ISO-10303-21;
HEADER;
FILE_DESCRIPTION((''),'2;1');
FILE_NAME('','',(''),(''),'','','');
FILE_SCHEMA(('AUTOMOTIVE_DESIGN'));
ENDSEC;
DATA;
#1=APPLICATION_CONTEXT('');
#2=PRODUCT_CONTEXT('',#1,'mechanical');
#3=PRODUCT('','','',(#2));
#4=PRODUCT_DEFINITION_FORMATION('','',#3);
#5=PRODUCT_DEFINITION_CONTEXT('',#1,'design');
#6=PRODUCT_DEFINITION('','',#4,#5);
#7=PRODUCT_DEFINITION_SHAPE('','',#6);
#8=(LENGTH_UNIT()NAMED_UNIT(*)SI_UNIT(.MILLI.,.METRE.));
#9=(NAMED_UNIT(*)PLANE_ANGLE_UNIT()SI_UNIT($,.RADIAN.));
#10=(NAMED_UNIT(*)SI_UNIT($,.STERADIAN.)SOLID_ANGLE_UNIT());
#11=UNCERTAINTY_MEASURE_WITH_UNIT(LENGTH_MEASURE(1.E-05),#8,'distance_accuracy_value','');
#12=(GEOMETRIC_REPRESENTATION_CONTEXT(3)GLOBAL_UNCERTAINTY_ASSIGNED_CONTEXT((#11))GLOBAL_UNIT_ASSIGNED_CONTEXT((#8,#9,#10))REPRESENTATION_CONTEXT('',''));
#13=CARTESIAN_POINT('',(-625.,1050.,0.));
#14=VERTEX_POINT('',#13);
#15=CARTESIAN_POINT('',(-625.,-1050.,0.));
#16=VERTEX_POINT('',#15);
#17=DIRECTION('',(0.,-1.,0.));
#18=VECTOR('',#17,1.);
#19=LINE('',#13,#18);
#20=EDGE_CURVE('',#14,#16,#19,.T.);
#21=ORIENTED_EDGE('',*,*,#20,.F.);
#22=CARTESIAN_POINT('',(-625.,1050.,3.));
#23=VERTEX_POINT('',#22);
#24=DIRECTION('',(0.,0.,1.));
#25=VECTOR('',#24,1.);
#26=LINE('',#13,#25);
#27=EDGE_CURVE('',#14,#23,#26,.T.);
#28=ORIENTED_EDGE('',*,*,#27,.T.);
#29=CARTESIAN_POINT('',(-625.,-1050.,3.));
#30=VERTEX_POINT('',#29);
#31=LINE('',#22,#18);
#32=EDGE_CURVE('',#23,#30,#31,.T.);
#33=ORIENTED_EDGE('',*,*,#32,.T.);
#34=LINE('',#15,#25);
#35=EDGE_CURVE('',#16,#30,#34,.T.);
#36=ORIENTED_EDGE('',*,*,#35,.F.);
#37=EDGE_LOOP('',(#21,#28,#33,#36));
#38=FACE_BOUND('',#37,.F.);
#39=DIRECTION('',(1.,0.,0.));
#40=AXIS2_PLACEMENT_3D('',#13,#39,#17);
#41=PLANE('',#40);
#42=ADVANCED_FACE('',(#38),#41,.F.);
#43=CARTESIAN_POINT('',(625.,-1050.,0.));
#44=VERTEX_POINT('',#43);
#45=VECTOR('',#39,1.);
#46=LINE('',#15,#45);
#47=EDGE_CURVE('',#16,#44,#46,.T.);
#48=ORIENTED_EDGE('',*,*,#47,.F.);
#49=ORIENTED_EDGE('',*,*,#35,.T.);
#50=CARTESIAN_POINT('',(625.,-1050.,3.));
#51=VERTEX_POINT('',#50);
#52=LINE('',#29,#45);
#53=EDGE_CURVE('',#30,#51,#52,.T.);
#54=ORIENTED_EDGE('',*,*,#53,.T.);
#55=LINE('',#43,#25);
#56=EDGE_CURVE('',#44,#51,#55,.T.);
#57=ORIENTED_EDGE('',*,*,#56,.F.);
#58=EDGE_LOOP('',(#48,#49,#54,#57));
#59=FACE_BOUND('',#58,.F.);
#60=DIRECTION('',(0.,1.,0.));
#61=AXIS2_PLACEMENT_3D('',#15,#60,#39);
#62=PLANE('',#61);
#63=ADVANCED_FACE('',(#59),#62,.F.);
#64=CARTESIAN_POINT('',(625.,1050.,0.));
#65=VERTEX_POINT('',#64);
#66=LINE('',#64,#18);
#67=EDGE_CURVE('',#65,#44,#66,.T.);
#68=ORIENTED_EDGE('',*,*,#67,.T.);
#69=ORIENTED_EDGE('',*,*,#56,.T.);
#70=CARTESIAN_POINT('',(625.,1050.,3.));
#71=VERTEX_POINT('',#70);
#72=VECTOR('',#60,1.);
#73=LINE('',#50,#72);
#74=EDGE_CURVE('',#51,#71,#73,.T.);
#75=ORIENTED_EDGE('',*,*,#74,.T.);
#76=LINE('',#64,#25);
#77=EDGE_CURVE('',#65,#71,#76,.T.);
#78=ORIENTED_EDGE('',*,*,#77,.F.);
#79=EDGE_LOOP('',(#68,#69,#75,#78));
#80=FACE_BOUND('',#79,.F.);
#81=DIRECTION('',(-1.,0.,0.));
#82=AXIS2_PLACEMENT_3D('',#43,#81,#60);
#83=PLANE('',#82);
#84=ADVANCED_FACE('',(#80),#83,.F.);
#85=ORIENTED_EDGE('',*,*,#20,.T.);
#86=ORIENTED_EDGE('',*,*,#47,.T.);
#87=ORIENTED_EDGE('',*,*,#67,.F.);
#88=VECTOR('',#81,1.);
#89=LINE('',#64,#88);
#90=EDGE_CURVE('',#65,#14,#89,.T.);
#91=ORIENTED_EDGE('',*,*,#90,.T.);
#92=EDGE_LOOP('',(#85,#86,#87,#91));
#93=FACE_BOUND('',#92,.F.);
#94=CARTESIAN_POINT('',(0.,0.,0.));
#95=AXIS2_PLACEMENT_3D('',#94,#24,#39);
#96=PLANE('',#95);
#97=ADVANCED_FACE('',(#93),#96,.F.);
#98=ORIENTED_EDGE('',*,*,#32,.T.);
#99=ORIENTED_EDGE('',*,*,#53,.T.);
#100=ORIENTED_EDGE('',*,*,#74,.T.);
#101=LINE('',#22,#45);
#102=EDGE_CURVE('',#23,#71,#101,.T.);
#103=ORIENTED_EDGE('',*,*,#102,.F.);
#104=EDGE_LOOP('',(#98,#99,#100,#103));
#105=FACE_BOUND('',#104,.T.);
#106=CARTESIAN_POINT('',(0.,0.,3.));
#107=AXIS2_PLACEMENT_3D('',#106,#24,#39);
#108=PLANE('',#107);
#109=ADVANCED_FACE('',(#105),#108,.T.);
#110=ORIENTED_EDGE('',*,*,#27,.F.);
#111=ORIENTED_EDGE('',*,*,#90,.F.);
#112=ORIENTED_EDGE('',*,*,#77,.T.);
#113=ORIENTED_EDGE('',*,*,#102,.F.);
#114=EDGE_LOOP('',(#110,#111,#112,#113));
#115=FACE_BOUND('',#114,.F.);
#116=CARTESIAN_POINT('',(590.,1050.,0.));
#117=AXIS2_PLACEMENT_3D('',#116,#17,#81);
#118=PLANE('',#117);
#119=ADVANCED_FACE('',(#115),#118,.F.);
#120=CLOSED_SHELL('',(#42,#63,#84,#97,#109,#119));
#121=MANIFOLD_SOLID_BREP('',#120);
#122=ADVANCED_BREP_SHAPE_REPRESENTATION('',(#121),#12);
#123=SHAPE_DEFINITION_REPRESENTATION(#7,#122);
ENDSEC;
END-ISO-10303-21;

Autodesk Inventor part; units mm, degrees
ref_plane "YZ Plane" through (0, 0, 0) normal (1, 0, 0) x (0, 1, 0)
ref_plane "XZ Plane" through (0, 0, 0) normal (0, 1, 0) x (-1, 0, 0)
ref_plane "XY Plane" through (0, 0, 0) normal (0, 0, 1) x (1, 0, 0)
sketch "Sketch1" plane through (0, 0, 0) normal (0, 0, 1) x (1, 0, 0)
  line L0 (-625, -1050) -> (625, -1050)
  line L1 (625, -1050) -> (625, 1050)
  line L2 (625, 1050) -> (-625, 1050)
  line L3 (-625, 1050) -> (-625, -1050)
  line L4 (-625, -1050) -> (625, 1050) construction
  line L5 (625, -1050) -> (-625, 1050) construction
  line L6 (625, 1050) -> (590, 1050)
  line L7 (590, 1050) -> (590, 1015)
  line L8 (590, 1015) -> (625, 1015)
  line L9 (625, 1015) -> (625, 1050)
  point P0 (0, 0)
  dimension "d0" = 1250
  dimension "d1" = 2100
  dimension "d22" = 35
  dimension "d23" = 35
extrude "Plate1" add sketch "Sketch1" along normal blind 3
equation "\"d2\" = Thickness"
equation "\"BendReliefWidth\" = Thickness"
equation "\"BendReliefDepth\" = 0.5 * Thickness"
equation "\"CornerReliefSize\" = 4 * Thickness"
equation "\"MinimumRemnant\" = 2 * Thickness"
equation "\"TransitionRadius\" = BendRadius"
equation "\"JacobiRadiusSize\" = BendRadius"
equation "\"GapSize\" = Thickness"
equation "\"Thickness\" = 3"
equation "\"BendRadius\" = 5"
properties part number "GhG frame1 floore sheet 1" material "Stainless Steel"
